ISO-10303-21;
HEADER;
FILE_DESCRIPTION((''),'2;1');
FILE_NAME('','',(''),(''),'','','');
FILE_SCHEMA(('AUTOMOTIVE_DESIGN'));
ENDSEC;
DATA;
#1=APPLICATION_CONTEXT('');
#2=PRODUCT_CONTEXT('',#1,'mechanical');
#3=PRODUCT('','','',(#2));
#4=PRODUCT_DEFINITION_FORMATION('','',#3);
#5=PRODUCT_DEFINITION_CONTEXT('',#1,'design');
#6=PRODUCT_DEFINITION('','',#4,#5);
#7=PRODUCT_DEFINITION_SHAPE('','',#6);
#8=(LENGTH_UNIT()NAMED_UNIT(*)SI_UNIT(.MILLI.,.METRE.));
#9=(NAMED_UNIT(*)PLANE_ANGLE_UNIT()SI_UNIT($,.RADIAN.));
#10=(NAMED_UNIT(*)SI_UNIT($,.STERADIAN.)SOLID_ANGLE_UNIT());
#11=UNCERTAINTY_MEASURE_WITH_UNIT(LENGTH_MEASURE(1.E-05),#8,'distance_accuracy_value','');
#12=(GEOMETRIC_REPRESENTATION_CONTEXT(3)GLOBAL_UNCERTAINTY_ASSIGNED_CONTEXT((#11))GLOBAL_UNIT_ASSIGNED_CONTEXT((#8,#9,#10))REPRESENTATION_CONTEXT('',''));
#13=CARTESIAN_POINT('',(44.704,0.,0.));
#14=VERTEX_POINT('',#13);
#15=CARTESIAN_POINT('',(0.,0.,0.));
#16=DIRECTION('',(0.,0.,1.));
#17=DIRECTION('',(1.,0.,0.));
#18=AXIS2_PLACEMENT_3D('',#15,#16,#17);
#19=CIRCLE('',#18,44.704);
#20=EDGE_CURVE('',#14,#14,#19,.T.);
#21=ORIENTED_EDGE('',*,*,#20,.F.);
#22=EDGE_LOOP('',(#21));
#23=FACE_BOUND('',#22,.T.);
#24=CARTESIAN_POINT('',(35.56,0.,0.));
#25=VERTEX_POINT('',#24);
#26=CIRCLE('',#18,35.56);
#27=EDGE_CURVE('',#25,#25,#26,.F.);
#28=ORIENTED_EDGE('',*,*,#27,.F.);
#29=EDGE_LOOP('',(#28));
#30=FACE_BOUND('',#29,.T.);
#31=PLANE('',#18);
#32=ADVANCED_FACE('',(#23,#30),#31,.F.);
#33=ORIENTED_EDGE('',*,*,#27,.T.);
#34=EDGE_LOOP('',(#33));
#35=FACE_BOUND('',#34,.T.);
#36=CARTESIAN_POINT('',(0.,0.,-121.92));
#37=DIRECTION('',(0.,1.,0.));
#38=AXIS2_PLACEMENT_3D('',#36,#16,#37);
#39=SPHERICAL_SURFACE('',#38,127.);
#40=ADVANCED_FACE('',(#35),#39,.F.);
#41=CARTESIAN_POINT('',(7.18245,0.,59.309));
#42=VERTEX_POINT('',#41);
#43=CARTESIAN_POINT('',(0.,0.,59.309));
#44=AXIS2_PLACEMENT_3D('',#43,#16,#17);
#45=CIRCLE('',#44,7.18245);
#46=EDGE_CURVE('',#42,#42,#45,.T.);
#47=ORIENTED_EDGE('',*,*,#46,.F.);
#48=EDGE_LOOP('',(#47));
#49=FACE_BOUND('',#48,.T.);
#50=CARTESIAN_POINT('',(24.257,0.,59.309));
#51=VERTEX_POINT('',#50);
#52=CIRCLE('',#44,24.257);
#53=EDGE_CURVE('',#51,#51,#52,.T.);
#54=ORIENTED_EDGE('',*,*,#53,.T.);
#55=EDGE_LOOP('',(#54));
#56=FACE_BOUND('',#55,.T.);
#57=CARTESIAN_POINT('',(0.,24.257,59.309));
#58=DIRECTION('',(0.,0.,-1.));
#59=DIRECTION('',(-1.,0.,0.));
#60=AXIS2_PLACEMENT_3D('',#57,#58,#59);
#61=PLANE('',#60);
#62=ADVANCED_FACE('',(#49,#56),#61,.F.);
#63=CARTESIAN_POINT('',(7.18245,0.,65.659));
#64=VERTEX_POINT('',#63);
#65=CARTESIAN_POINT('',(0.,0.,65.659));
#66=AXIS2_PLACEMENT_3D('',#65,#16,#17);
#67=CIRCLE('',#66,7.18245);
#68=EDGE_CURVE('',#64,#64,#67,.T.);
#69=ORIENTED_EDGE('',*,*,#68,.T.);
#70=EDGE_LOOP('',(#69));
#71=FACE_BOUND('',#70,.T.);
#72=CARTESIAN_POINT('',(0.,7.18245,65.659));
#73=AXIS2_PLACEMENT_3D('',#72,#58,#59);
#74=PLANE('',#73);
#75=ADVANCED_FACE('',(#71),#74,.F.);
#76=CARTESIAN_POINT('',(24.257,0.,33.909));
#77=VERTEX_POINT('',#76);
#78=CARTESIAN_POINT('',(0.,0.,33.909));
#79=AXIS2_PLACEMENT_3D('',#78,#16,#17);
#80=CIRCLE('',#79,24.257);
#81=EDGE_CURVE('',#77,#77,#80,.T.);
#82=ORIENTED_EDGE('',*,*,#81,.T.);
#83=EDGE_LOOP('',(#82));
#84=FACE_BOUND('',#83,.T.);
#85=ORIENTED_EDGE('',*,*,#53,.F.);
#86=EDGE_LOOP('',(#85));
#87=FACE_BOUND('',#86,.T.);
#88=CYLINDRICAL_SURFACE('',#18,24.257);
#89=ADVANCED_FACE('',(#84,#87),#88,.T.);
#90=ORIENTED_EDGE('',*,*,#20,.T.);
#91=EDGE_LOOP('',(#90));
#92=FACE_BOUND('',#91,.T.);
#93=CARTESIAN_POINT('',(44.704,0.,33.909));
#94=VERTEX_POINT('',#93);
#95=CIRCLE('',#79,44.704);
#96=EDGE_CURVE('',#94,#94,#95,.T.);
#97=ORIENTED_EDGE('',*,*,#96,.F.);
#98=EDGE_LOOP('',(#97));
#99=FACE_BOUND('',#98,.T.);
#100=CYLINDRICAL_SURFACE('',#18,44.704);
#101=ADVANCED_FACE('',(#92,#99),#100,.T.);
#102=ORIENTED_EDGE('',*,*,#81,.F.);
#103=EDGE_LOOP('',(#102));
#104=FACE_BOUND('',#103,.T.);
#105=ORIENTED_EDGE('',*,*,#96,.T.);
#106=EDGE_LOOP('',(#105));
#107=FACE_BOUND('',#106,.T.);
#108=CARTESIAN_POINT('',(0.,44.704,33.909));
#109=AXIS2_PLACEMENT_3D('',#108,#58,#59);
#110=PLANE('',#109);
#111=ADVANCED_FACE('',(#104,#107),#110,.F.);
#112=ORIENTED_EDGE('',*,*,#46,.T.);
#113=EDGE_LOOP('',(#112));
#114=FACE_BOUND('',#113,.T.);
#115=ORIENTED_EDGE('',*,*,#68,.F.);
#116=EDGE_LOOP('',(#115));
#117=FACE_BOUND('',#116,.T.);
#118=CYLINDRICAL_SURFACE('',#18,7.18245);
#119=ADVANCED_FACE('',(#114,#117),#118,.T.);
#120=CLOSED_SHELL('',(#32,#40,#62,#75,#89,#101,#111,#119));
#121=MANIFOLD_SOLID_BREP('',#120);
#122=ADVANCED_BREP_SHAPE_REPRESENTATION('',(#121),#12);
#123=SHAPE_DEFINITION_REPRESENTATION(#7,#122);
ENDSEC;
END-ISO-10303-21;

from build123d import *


with BuildPart() as part:
    # Sketch1 → Revolve1 (revolve)
    with BuildSketch(Plane(origin=(0, 0, 0), x_dir=(0, 0, -1), z_dir=(1, 0, 0))):
        Polygon((0, 0), (-65.659, 0), (-65.659, 7.182450088), (-59.309, 7.182450088), (-59.309, 24.257), (-33.909, 24.257), (-33.909, 44.704), (0, 44.704), align=None)
    revolve(axis=Axis((0, 0, 0), (0, 0, -1)))

    # Sketch2 → Cut-Revolve5 (revolve, cut)
    with BuildSketch(Plane(origin=(0, 0, 0), x_dir=(0, 0, -1), z_dir=(1, 0, 0))):
        with BuildLine():
            Line((-5.08, 0), (248.92, 0))
            ThreePointArc((248.92, 0), (121.92, 127), (-5.08, 0))
        make_face()
    revolve(axis=Axis((0, 0, 5.08), (0, 0, -1)), mode=Mode.SUBTRACT)


solid = part.part
